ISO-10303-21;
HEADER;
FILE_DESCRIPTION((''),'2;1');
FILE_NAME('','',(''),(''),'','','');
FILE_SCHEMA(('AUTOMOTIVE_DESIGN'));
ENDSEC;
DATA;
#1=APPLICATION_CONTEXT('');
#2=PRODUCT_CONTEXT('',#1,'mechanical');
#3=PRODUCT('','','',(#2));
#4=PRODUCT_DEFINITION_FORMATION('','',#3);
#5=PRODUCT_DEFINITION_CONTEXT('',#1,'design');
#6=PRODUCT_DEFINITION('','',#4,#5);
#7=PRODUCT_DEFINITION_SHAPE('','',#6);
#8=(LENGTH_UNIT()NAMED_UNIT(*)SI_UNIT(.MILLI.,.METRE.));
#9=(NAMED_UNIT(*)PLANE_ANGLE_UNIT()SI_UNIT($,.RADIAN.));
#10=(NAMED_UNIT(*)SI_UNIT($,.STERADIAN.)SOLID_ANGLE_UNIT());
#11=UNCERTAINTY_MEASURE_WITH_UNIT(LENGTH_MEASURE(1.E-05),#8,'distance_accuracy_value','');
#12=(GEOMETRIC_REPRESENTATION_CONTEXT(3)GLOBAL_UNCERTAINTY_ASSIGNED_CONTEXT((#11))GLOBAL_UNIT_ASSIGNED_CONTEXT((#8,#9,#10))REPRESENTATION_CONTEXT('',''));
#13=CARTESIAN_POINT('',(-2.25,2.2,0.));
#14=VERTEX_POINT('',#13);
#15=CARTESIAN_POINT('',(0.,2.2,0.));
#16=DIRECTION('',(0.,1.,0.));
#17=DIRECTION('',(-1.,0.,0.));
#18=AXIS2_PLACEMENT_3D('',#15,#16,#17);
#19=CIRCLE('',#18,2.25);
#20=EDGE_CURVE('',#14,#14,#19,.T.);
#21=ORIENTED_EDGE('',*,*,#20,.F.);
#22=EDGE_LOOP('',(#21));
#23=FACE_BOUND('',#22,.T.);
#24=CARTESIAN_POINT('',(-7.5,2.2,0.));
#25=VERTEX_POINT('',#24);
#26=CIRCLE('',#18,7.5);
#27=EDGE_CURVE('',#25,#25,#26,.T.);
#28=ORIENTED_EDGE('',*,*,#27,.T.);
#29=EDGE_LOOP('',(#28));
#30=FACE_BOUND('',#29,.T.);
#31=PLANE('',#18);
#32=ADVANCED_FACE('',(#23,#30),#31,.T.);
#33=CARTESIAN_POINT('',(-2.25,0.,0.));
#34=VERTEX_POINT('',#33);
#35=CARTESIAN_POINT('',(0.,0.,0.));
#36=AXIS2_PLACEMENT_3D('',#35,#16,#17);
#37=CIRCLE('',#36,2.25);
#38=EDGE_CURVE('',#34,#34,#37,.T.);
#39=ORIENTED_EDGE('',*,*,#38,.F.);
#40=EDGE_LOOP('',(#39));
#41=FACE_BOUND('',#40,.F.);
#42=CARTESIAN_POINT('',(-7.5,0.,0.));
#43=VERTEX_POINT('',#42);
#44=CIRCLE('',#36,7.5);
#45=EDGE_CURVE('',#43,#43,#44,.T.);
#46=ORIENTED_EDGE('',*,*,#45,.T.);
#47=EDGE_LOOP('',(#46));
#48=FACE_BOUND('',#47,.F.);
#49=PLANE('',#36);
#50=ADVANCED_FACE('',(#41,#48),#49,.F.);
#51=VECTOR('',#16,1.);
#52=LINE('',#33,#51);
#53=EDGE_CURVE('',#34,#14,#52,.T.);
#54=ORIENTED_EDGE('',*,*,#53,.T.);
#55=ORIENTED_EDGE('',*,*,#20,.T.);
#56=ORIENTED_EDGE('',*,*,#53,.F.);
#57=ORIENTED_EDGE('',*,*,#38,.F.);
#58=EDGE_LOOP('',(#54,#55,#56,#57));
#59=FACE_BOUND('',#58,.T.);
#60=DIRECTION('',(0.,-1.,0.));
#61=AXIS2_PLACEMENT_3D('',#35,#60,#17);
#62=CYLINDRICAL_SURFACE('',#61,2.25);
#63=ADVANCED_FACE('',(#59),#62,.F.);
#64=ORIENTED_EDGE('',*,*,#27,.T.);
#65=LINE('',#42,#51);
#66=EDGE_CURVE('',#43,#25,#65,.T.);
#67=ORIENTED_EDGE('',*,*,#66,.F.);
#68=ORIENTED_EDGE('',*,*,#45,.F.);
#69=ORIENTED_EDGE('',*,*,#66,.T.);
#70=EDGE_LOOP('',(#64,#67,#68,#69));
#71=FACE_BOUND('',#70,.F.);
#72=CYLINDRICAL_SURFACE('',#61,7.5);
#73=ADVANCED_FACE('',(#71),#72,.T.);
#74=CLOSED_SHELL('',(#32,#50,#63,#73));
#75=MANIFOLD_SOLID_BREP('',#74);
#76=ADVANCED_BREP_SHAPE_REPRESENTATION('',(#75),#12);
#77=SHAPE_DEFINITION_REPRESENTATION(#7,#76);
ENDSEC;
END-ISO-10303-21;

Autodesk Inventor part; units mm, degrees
ref_plane "YZ Plane" through (0, 0, 0) normal (1, 0, 0) x (0, 1, 0)
ref_plane "XZ Plane" through (0, 0, 0) normal (0, 1, 0) x (-1, 0, 0)
ref_plane "XY Plane" through (0, 0, 0) normal (0, 0, 1) x (1, 0, 0)
sketch "스케치1" plane through (0, 0, 0) normal (0, 1, 0) x (-1, 0, 0)
  circle A0 centre (0, 0) radius 2.25
  circle A1 centre (0, 0) radius 7.5
  dimension "d0" = 4.5
  dimension "d1" = 15
extrude "돌출1" add sketch "스케치1" along normal blind 2.2
properties part number "washer"
